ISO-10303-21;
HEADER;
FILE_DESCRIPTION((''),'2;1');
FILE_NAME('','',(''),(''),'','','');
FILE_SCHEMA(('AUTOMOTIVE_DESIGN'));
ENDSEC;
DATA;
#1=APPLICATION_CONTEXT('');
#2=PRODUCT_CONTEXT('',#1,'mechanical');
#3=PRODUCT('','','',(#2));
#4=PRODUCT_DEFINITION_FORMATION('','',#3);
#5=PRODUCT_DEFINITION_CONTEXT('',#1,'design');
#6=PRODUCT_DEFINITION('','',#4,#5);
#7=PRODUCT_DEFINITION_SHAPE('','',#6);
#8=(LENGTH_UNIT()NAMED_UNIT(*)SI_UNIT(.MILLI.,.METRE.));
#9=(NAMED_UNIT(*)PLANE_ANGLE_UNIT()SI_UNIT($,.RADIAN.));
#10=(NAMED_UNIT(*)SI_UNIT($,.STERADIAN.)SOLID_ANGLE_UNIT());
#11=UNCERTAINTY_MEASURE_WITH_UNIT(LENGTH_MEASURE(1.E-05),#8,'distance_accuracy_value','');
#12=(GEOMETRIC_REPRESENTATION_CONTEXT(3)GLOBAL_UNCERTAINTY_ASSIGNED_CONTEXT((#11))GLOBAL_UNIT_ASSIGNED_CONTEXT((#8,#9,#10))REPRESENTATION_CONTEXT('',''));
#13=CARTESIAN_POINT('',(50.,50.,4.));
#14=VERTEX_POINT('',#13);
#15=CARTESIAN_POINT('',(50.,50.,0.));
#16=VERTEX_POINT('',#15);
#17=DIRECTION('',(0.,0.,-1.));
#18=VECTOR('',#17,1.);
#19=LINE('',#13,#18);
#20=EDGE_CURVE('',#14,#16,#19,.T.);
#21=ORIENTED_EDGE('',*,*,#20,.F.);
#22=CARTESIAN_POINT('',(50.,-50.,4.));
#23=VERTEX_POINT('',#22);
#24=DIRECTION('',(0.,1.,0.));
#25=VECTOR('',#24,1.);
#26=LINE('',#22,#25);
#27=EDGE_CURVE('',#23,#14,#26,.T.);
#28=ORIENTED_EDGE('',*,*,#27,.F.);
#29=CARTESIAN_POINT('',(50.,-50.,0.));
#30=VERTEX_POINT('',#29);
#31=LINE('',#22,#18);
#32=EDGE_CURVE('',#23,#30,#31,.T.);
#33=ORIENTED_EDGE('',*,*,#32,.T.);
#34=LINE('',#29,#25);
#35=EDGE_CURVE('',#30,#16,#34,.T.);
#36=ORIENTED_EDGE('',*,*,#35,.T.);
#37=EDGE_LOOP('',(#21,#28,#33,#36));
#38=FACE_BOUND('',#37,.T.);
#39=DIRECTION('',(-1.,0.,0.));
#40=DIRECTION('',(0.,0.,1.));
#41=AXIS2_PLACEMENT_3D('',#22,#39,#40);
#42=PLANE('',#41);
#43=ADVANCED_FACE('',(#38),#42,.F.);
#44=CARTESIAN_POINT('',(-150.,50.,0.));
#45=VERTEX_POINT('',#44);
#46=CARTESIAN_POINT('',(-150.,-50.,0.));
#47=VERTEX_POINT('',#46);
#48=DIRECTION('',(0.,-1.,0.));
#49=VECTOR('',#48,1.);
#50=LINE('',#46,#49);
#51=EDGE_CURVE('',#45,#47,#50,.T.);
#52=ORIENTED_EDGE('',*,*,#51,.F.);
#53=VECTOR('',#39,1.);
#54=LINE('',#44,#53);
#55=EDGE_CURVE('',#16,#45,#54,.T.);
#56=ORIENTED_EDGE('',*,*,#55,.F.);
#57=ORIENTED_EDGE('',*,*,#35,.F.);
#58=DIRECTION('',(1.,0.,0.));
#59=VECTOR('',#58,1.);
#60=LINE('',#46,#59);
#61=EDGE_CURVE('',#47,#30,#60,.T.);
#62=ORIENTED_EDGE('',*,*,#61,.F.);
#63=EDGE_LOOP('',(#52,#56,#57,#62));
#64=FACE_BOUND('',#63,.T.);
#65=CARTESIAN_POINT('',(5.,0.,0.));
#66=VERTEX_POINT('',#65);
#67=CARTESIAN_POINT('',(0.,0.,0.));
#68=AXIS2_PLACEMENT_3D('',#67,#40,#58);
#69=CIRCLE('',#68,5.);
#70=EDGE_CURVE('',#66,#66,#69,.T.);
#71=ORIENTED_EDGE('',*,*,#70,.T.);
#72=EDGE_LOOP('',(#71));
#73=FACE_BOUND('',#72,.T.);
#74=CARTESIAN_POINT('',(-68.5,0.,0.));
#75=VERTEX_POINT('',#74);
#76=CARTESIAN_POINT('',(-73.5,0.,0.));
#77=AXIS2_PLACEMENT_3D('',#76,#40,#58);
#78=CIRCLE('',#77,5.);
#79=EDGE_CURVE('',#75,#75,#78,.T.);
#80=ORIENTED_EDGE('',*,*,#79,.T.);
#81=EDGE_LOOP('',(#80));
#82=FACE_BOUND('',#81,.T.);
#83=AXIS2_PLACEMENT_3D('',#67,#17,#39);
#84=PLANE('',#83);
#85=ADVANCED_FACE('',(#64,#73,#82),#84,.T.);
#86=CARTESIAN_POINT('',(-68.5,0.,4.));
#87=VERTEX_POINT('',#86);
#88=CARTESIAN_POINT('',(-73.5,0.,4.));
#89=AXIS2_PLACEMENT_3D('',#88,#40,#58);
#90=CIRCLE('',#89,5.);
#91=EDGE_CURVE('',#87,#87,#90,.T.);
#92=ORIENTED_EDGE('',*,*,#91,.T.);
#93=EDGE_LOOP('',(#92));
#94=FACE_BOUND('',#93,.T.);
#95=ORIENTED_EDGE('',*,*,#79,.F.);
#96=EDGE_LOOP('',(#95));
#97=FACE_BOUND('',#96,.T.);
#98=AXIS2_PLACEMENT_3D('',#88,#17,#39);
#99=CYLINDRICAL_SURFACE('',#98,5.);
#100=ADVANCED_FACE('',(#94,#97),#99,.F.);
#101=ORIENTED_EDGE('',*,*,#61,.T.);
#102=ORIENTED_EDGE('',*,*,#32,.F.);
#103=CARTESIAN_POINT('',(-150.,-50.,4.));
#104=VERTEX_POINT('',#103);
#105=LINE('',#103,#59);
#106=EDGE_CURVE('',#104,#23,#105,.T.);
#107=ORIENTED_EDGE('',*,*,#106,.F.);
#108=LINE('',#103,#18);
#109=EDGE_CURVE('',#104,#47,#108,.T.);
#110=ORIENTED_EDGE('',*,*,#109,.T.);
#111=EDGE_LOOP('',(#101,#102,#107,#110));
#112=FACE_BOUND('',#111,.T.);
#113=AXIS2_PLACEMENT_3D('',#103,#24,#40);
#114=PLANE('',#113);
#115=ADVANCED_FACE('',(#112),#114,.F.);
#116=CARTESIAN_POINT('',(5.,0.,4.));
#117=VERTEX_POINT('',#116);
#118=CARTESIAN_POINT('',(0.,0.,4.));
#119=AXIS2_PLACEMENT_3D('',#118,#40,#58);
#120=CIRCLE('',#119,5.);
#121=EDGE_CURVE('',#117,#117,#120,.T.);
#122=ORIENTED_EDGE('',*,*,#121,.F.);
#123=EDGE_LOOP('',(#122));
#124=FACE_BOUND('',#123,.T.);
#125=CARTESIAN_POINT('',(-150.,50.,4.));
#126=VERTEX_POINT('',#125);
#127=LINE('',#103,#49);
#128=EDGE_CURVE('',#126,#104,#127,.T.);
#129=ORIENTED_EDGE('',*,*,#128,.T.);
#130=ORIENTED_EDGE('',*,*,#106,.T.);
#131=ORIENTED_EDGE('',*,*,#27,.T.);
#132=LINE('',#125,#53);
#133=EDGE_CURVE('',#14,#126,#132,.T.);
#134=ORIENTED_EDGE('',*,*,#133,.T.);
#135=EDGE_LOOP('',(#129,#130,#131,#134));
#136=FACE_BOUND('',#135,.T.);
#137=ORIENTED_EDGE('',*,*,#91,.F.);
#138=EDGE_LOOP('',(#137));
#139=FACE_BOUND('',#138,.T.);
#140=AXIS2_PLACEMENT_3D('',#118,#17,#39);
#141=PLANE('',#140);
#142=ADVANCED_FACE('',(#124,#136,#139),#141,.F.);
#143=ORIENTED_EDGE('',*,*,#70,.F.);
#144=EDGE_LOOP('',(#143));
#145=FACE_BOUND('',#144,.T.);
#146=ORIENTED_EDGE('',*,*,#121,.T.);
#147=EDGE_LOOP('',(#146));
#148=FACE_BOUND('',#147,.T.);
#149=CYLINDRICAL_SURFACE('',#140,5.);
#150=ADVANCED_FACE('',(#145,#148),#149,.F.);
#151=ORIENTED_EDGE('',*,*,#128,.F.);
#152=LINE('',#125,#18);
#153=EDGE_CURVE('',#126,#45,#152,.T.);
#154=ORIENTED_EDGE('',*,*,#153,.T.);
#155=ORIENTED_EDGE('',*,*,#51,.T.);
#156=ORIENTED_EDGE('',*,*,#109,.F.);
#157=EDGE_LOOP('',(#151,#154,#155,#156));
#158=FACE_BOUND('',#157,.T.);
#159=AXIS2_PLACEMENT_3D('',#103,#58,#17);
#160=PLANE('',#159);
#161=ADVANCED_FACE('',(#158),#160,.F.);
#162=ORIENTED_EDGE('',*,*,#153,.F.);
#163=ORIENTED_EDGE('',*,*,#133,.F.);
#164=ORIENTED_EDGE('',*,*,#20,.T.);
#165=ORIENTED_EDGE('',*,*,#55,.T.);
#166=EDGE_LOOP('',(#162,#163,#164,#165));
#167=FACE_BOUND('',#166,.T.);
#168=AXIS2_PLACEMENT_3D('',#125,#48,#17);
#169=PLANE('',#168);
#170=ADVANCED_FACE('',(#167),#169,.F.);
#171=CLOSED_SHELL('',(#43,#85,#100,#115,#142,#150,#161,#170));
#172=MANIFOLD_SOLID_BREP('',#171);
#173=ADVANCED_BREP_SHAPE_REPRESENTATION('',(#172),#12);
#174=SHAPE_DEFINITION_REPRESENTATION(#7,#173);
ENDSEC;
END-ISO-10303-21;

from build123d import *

# Parameters (mm, degrees)
SKETCH1_W           = 200
SKETCH1_H           = 100
SKETCH1_R           = 5
BOSS_EXTRUDE1_DEPTH = 4


with BuildPart() as part:
    # Sketch1 → Boss-Extrude1 (new body)
    with BuildSketch(Plane.XY):
        with Locations((-50, 0)):
            Rectangle(SKETCH1_W, SKETCH1_H)
        Circle(SKETCH1_R, mode=Mode.SUBTRACT)
        with Locations((-73.5, 0)):
            Circle(SKETCH1_R, mode=Mode.SUBTRACT)
    extrude(amount=BOSS_EXTRUDE1_DEPTH)


solid = part.part
